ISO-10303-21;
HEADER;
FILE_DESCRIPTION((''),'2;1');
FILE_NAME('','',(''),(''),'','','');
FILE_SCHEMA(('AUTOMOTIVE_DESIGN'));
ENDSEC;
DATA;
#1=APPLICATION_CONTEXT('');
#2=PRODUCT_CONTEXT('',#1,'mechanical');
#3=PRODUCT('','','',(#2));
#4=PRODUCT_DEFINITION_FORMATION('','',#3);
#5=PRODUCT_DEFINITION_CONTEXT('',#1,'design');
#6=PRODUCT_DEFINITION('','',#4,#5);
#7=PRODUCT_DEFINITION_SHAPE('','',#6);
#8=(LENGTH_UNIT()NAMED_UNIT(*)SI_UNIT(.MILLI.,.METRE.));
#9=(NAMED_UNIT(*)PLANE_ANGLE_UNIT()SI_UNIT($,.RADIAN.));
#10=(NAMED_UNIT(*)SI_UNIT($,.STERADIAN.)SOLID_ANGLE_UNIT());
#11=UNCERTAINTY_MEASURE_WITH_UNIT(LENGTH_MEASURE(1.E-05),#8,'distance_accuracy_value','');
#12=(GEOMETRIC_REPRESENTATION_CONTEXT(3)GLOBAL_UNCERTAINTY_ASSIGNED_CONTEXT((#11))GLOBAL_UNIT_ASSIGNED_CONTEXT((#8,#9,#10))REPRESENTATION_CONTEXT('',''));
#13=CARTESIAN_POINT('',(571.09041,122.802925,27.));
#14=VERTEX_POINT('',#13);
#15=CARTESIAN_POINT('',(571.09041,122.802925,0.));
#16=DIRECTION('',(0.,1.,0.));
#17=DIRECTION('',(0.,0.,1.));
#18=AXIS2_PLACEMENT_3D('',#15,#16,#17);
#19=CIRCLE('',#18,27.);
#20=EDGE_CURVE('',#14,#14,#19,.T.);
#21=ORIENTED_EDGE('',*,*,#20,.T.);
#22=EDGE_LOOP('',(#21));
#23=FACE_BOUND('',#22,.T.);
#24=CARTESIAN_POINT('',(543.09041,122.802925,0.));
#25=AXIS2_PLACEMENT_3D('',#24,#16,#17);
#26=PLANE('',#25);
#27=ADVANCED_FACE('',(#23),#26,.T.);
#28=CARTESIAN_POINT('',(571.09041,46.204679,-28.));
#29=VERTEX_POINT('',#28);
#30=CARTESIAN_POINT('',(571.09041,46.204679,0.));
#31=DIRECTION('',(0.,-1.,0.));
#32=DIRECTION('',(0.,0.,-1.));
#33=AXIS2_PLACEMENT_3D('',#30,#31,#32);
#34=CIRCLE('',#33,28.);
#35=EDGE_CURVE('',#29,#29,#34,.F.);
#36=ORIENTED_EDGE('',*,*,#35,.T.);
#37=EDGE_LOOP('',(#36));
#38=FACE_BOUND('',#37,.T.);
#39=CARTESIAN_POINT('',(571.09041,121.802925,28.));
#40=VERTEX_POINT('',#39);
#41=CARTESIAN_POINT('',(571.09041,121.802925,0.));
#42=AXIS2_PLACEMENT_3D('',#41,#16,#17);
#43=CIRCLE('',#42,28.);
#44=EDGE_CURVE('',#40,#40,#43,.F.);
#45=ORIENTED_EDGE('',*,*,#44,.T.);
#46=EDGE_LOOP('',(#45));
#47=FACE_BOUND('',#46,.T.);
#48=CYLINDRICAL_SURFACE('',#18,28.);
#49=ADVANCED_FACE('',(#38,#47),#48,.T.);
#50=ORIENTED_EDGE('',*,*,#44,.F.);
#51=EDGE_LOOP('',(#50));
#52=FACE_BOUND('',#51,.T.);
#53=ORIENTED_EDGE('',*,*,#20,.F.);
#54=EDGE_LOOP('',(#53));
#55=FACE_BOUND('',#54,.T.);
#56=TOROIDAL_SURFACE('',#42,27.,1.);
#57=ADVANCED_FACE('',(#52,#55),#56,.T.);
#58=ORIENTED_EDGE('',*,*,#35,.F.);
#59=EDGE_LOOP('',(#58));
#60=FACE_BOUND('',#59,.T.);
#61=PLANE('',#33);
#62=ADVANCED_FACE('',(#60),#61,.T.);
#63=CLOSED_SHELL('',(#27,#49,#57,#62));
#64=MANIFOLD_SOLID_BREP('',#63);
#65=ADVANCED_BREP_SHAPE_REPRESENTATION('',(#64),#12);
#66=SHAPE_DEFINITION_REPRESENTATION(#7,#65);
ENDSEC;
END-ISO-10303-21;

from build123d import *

# Parameters (mm, degrees)
SKETCH2_R          = 29.716008705
CUT_EXTRUDE1_DEPTH = 3
FILLET1_R          = 1


with BuildPart() as part:
    # Sketch1 → Revolve1 (revolve)
    with BuildSketch(Plane.XY, mode=Mode.PRIVATE) as revolve1_sk:
        Polygon((543.090410183, 122.80292457), (571.090410183, 122.80292457), (571.090410183, 43.204678726), (552.249882464, 43.204678726), (546.251643979, 44.096308771), (543.090410183, 45.879568862), align=None)
    revolve(revolve1_sk.sketch.rotate(Axis((571.090410183, 122.80292457, 0), (0, -1, 0)), 270), axis=Axis((571.090410183, 122.80292457, 0), (0, -1, 0)))

    # Sketch2 → Cut-Extrude1 (cut)
    with BuildSketch(Plane(origin=(0, 43.204678726, 0), x_dir=(-1, 0, 0), z_dir=(0, -1, 0))):
        with Locations((-571.090410183, 0)):
            Circle(SKETCH2_R)
    extrude(amount=-CUT_EXTRUDE1_DEPTH, mode=Mode.SUBTRACT)

    # Fillet1
    fillet1_edges = [part.edges().sort_by_distance(p)[0] for p in [
        (571.090410183, 122.80292457, -28),
    ]]
    fillet(fillet1_edges, radius=FILLET1_R)


solid = part.part
